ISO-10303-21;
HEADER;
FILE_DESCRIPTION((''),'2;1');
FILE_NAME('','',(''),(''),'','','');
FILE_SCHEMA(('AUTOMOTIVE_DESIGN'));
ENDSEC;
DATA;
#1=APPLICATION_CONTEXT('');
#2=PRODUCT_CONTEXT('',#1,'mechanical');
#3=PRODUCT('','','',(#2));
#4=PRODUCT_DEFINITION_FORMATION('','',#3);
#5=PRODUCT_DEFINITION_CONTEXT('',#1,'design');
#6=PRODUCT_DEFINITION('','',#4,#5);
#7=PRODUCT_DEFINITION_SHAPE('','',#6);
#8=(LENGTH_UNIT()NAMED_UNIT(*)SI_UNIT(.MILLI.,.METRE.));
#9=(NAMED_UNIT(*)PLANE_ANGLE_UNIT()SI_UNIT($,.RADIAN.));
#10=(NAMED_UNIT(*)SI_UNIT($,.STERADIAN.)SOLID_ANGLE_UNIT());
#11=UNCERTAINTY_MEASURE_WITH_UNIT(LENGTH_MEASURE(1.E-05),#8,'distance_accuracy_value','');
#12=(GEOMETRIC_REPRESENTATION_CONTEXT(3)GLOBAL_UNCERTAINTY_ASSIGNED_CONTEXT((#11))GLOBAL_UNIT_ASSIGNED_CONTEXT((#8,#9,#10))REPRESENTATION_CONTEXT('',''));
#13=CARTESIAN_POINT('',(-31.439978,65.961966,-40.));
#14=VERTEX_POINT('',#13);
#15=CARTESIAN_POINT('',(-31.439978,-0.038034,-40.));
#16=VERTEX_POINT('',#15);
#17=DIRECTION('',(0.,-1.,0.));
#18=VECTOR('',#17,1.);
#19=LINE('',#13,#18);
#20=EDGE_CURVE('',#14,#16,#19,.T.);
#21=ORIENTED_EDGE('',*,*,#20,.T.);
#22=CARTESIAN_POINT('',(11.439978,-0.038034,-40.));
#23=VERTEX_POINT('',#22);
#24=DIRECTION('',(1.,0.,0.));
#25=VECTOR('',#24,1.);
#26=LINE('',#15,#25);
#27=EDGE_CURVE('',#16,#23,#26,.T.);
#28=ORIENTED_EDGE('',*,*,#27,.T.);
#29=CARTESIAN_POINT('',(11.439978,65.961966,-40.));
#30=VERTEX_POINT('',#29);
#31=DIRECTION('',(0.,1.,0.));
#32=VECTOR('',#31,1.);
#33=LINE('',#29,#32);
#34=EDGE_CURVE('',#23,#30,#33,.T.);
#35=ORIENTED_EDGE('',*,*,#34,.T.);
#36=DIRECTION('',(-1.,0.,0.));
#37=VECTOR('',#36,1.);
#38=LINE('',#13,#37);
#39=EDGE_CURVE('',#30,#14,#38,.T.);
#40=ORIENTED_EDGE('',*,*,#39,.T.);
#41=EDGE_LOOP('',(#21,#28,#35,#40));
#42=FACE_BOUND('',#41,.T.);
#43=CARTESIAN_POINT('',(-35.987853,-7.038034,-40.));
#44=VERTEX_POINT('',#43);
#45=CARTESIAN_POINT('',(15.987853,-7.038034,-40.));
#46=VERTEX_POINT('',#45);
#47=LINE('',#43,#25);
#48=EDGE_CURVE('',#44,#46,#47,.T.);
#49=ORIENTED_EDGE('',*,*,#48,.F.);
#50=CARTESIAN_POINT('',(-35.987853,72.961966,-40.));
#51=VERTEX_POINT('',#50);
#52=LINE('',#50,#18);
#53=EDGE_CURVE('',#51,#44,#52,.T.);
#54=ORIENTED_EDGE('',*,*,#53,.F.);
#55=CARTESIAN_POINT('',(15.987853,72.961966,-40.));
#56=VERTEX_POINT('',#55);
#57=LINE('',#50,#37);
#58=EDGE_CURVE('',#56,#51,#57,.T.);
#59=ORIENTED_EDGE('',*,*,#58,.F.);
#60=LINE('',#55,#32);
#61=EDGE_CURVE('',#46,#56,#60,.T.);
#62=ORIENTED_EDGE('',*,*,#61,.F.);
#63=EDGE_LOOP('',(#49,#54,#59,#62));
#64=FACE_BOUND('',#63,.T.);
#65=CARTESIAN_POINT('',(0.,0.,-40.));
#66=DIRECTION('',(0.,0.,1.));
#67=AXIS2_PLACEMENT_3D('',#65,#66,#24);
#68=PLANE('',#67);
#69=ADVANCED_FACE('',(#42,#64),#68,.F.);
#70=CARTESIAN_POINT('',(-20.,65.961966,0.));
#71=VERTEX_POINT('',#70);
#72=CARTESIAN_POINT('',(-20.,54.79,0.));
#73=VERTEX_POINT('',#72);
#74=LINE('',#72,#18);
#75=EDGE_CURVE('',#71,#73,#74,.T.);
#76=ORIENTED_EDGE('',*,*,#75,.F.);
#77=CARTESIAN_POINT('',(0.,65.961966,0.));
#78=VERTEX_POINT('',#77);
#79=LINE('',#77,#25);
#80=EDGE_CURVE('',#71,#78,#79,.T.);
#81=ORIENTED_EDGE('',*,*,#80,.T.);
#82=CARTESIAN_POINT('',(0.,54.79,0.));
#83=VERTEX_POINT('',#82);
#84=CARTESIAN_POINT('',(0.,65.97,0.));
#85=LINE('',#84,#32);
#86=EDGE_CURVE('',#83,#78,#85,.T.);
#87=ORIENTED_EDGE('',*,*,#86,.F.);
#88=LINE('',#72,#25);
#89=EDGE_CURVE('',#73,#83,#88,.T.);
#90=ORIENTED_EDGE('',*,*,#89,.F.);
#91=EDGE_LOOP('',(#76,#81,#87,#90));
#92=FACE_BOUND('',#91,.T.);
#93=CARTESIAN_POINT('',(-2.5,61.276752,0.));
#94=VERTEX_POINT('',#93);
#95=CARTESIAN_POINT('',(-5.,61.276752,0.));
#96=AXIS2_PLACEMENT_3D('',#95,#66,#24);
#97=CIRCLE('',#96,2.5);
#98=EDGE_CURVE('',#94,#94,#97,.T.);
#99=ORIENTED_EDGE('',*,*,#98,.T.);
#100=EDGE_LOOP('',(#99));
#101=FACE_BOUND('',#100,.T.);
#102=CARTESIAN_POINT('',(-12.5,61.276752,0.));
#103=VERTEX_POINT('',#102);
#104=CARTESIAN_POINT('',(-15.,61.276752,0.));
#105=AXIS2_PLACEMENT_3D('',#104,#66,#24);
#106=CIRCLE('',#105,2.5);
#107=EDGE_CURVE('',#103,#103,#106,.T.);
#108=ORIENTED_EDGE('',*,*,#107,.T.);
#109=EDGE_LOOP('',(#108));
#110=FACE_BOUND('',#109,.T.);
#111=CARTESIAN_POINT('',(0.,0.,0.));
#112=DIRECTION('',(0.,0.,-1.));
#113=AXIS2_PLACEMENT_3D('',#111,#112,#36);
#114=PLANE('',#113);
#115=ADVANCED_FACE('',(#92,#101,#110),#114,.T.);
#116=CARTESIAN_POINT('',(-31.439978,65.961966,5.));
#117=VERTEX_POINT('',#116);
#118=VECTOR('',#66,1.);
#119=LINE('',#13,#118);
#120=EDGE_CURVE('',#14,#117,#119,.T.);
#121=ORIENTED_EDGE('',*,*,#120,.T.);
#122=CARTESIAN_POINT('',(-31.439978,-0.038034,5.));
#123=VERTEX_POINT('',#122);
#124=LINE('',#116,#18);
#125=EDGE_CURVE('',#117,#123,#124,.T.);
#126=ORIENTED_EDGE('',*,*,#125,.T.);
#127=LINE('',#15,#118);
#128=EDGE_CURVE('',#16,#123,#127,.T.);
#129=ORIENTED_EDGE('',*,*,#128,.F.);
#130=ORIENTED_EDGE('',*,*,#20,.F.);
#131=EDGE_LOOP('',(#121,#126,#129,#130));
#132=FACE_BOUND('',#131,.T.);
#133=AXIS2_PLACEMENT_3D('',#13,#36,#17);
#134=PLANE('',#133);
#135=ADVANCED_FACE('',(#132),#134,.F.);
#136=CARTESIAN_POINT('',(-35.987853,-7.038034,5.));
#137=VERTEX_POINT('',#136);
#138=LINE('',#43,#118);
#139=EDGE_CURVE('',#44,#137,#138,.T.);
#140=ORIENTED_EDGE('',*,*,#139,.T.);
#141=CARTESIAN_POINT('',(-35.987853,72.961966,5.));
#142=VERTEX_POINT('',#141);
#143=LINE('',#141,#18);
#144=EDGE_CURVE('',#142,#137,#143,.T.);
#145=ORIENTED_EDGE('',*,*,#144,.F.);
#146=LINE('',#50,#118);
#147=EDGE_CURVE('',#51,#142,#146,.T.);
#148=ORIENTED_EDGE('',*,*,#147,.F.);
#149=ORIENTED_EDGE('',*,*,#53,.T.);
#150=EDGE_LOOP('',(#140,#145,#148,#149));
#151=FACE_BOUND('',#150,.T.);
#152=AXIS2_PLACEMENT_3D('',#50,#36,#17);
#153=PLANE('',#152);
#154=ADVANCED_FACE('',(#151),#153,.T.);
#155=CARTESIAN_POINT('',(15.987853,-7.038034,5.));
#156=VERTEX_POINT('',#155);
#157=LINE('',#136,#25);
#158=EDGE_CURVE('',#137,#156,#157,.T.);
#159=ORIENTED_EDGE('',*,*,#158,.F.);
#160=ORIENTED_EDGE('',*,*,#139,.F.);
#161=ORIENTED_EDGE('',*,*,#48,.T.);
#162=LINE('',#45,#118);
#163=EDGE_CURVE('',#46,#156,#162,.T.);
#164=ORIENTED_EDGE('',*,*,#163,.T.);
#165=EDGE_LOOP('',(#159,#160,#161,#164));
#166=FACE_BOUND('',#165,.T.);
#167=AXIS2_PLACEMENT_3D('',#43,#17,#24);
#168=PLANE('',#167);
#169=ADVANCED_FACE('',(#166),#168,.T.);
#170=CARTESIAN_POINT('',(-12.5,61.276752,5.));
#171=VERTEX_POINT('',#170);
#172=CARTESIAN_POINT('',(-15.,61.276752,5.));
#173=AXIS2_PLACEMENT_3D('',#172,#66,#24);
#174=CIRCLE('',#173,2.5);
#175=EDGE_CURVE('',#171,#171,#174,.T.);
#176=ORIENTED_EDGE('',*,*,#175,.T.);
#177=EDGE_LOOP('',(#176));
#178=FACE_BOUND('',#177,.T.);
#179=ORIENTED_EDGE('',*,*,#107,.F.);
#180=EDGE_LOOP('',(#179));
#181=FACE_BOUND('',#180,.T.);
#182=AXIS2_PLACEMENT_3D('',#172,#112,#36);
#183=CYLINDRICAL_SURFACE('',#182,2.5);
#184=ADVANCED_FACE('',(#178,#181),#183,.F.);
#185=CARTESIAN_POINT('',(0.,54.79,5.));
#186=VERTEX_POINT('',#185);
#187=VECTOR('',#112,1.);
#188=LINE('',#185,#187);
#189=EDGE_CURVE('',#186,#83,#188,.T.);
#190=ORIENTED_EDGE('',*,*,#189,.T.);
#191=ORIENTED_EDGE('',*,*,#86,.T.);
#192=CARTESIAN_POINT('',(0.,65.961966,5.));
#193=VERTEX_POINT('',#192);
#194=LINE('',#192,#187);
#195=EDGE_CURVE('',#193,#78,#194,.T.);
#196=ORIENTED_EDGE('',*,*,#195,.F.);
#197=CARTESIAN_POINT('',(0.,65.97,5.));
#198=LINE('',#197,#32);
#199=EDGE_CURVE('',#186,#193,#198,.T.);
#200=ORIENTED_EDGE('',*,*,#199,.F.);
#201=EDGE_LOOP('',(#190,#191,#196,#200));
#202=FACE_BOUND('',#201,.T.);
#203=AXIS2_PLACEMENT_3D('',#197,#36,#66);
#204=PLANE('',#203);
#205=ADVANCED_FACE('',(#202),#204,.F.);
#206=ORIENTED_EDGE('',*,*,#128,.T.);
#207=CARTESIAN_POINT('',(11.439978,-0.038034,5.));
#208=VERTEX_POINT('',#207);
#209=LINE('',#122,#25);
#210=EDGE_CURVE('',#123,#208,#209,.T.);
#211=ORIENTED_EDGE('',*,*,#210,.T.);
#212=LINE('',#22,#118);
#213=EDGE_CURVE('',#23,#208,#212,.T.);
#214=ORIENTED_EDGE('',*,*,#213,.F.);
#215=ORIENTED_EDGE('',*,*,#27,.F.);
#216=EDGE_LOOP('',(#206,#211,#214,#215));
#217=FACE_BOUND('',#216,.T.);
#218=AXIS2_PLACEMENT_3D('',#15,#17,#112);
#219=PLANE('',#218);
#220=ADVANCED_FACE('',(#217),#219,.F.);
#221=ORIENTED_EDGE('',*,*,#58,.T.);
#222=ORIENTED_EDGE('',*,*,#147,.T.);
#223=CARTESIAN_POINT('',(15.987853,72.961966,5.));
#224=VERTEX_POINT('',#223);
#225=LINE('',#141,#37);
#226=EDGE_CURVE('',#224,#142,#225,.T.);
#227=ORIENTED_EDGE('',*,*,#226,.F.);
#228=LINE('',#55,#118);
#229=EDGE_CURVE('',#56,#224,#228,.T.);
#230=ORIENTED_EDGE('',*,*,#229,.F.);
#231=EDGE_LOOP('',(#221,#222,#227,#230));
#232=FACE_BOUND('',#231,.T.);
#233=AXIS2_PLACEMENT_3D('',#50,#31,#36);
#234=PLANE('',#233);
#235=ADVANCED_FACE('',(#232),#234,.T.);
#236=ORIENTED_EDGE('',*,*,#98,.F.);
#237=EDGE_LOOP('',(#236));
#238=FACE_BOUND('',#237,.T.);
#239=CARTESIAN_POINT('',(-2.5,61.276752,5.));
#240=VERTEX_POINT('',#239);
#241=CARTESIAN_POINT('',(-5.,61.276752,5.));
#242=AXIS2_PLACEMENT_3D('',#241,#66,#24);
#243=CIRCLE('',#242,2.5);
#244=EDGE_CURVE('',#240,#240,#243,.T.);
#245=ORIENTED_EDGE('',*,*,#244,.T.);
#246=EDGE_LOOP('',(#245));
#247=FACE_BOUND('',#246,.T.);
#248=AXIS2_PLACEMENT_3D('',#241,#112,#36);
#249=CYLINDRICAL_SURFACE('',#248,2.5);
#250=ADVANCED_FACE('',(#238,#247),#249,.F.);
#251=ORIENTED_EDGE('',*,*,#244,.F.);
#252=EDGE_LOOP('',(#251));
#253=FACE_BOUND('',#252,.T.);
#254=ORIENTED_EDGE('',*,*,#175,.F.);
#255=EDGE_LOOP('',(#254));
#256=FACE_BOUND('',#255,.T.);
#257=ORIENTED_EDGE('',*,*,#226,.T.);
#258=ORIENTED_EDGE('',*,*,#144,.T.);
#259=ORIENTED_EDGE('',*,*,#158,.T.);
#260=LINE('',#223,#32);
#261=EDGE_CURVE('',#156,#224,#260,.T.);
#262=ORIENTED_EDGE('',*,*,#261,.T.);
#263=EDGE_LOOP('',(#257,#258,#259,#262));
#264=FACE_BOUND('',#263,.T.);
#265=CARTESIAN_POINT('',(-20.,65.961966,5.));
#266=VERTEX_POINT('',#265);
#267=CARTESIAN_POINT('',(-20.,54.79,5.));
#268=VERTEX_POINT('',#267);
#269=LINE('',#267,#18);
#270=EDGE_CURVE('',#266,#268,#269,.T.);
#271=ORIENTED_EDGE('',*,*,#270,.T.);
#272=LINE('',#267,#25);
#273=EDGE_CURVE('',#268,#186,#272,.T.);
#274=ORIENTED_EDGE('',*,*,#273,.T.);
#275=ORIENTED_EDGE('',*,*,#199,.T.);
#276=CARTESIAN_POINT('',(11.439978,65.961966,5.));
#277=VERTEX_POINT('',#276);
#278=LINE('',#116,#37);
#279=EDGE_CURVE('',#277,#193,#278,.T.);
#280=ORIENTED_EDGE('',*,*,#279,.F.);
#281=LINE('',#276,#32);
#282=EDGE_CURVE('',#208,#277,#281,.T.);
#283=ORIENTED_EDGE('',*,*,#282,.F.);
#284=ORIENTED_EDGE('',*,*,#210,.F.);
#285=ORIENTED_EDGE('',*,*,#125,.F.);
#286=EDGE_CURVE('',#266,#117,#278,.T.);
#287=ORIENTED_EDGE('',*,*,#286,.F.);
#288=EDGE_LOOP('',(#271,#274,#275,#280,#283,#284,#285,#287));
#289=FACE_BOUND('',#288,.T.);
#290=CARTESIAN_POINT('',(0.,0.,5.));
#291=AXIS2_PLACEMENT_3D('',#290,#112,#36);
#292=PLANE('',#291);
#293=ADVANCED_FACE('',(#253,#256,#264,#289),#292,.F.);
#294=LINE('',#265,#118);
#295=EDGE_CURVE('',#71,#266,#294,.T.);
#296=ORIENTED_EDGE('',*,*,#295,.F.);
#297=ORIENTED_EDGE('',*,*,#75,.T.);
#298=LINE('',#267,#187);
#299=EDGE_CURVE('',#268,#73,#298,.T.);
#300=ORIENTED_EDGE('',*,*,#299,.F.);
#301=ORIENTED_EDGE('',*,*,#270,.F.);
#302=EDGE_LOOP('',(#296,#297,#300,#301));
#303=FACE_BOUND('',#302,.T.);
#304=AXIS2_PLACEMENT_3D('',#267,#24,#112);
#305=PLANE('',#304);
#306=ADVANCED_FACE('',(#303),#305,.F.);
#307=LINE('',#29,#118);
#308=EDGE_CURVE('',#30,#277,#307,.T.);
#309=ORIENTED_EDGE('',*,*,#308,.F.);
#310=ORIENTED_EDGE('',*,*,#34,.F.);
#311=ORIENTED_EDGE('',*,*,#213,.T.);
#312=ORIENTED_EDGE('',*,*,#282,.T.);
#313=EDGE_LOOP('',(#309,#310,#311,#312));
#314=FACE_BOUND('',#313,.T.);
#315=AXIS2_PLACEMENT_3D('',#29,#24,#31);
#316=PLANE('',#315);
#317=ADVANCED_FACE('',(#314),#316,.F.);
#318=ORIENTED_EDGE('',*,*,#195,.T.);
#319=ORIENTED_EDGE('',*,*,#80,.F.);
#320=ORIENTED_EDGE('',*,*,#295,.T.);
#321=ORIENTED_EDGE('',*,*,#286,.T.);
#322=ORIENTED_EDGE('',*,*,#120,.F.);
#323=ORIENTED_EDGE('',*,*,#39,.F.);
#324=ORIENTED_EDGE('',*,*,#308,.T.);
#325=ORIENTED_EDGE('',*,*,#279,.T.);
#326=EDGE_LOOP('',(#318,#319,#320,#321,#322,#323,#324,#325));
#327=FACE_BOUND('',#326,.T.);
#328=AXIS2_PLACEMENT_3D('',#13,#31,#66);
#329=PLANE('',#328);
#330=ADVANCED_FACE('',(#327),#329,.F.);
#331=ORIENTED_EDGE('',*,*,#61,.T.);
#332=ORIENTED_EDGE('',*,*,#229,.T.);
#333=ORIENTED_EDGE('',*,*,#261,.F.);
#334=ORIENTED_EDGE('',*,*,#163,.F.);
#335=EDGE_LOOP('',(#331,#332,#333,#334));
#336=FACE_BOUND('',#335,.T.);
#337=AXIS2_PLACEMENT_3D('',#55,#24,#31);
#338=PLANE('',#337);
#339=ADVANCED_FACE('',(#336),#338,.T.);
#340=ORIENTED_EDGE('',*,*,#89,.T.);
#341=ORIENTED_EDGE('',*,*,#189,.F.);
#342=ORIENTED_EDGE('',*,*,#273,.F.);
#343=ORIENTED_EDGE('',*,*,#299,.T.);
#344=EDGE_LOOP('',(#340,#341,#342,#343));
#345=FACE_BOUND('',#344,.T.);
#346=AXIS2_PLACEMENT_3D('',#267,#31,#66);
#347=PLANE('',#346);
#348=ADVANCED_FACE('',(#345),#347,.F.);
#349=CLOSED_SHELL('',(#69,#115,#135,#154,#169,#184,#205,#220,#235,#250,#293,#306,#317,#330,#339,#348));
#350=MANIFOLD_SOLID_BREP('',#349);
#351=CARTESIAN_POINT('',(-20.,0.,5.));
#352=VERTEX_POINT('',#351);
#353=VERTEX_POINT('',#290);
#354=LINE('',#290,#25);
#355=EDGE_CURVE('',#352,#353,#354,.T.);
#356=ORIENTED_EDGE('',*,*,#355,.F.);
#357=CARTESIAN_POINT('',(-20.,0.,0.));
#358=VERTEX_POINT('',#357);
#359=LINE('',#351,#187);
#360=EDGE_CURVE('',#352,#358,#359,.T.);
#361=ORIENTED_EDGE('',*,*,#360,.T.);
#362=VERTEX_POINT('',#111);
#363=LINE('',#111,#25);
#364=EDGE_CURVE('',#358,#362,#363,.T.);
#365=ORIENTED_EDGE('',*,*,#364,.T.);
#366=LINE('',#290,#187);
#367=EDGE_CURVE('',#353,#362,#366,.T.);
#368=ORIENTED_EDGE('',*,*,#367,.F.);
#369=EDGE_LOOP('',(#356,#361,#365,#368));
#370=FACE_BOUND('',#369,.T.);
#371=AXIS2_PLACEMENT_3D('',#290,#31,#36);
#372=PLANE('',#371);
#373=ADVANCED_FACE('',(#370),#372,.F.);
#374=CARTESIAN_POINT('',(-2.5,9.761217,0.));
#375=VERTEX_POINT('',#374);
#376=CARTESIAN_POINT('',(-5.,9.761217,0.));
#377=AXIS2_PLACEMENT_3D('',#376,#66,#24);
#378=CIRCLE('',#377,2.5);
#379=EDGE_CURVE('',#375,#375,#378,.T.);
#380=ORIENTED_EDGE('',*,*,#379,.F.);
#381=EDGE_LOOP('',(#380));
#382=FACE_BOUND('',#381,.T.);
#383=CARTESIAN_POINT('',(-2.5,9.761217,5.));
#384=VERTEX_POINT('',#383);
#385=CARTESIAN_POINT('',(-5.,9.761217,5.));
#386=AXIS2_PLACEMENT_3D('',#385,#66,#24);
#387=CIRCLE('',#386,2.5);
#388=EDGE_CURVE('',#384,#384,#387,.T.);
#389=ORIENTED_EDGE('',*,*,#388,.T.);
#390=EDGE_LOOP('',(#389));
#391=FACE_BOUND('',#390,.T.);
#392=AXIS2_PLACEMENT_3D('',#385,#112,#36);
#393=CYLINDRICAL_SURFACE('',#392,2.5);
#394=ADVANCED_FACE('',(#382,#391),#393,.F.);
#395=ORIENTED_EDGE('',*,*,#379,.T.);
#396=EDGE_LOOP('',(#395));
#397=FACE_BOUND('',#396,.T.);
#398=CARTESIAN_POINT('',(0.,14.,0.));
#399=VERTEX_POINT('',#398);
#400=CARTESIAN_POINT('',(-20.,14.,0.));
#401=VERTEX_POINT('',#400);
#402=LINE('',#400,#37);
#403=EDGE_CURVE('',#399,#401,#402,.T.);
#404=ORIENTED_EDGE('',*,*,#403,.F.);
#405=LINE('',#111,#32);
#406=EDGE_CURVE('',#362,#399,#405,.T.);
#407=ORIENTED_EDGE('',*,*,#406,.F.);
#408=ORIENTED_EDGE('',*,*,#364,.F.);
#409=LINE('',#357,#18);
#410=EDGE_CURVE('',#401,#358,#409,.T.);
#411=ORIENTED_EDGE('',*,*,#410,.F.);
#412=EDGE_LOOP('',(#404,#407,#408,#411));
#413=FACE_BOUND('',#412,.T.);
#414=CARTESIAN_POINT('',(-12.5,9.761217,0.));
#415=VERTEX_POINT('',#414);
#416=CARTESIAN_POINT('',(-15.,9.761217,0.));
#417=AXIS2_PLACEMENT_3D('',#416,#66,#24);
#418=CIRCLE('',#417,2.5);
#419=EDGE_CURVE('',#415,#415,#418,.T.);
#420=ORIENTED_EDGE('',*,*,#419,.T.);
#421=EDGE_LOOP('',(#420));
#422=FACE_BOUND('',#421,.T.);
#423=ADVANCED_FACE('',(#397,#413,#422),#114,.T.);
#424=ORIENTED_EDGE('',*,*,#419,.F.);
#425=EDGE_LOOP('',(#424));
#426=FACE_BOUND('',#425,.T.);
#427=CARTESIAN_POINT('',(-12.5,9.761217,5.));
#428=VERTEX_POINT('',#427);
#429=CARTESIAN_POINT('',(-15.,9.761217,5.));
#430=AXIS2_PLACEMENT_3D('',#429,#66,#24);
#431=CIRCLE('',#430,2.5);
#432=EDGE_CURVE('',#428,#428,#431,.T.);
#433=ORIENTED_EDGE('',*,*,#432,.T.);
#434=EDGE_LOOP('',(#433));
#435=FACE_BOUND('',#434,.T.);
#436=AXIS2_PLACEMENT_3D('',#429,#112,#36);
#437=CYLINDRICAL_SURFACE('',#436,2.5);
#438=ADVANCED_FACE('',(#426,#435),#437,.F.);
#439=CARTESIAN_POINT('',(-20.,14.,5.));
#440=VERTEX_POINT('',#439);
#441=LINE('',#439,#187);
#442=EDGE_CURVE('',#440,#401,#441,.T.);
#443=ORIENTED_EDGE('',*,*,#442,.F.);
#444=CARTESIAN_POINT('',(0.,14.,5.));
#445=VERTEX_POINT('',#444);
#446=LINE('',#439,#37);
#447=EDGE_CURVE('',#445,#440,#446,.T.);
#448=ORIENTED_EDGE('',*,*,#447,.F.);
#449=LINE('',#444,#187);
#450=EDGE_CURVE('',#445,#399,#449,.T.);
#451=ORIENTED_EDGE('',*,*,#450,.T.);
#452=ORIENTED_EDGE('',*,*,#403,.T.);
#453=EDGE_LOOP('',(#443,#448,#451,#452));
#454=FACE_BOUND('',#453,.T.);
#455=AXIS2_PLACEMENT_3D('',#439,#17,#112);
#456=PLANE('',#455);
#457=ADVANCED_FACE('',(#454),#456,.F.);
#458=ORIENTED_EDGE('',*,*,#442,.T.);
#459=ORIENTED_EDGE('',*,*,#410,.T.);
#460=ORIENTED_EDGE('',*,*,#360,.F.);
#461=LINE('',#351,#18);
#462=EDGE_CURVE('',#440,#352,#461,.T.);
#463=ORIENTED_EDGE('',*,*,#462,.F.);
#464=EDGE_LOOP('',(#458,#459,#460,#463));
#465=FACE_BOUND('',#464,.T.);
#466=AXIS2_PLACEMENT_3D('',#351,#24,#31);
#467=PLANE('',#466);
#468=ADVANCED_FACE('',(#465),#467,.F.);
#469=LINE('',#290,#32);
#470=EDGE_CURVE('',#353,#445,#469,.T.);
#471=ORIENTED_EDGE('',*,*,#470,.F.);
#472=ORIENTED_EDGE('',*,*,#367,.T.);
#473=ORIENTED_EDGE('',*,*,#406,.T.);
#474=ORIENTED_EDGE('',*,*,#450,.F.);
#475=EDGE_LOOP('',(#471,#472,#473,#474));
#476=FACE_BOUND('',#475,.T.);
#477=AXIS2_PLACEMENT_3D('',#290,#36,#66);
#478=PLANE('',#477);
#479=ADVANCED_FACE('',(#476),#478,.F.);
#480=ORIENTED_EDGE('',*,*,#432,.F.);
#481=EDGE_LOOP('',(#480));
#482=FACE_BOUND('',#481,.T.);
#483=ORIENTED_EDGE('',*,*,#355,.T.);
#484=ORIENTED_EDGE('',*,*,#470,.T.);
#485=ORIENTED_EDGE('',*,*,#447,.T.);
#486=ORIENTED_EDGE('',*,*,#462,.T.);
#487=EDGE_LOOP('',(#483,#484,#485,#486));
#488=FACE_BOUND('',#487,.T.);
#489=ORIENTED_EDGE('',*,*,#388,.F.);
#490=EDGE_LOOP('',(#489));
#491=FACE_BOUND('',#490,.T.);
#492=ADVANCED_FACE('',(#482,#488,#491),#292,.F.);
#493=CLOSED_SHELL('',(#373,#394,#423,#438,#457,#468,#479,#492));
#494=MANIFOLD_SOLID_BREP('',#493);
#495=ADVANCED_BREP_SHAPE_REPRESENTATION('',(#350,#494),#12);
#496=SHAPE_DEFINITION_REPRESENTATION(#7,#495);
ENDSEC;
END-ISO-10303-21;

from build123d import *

# Parameters (mm, degrees)
SKIZZE1_W                         = 20
SKIZZE1_H                         = 11.18
SKIZZE1_R                         = 2.5
AUFSATZ_LINEAR_AUSTRAGEN1_DEPTH   = 5
SKIZZE1_H_2                       = 14
AUFSATZ_LINEAR_AUSTRAGEN1_2_DEPTH = 5
SKIZZE3_W                         = 51.975705294
SKIZZE3_H                         = 80
SKIZZE3_W_2                       = 42.879956868
SKIZZE3_H_2                       = 66
AUFSATZ_LINEAR_AUSTRAGEN2_DEPTH   = 45


with BuildPart() as part:
    # Skizze1 → Aufsatz-Linear austragen1 (new body)
    with BuildSketch(Plane.XY):
        with Locations((-10, 60.38)):
            Rectangle(SKIZZE1_W, SKIZZE1_H)
        with Locations((-15, 61.276751707)):
            Circle(SKIZZE1_R, mode=Mode.SUBTRACT)
        with Locations((-5, 61.276751707)):
            Circle(SKIZZE1_R, mode=Mode.SUBTRACT)
    extrude(amount=AUFSATZ_LINEAR_AUSTRAGEN1_DEPTH)

    # Skizze3 → Aufsatz-Linear austragen2 (add)
    with BuildSketch(Plane.XY.offset(5)):
        with Locations((-10, 32.961965548)):
            Rectangle(SKIZZE3_W, SKIZZE3_H)
        with Locations((-10, 32.961965548)):
            Rectangle(SKIZZE3_W_2, SKIZZE3_H_2, mode=Mode.SUBTRACT)
    extrude(amount=-AUFSATZ_LINEAR_AUSTRAGEN2_DEPTH)


with BuildPart() as body_2:
    # Skizze1 → Aufsatz-Linear austragen1 2 (new body)
    with BuildSketch(Plane.XY):
        with Locations((-10, 7)):
            Rectangle(SKIZZE1_W, SKIZZE1_H_2)
        with Locations((-15, 9.761216808)):
            Circle(SKIZZE1_R, mode=Mode.SUBTRACT)
        with Locations((-5, 9.761216808)):
            Circle(SKIZZE1_R, mode=Mode.SUBTRACT)
    extrude(amount=AUFSATZ_LINEAR_AUSTRAGEN1_2_DEPTH)


solid = Compound([part.part, body_2.part])
